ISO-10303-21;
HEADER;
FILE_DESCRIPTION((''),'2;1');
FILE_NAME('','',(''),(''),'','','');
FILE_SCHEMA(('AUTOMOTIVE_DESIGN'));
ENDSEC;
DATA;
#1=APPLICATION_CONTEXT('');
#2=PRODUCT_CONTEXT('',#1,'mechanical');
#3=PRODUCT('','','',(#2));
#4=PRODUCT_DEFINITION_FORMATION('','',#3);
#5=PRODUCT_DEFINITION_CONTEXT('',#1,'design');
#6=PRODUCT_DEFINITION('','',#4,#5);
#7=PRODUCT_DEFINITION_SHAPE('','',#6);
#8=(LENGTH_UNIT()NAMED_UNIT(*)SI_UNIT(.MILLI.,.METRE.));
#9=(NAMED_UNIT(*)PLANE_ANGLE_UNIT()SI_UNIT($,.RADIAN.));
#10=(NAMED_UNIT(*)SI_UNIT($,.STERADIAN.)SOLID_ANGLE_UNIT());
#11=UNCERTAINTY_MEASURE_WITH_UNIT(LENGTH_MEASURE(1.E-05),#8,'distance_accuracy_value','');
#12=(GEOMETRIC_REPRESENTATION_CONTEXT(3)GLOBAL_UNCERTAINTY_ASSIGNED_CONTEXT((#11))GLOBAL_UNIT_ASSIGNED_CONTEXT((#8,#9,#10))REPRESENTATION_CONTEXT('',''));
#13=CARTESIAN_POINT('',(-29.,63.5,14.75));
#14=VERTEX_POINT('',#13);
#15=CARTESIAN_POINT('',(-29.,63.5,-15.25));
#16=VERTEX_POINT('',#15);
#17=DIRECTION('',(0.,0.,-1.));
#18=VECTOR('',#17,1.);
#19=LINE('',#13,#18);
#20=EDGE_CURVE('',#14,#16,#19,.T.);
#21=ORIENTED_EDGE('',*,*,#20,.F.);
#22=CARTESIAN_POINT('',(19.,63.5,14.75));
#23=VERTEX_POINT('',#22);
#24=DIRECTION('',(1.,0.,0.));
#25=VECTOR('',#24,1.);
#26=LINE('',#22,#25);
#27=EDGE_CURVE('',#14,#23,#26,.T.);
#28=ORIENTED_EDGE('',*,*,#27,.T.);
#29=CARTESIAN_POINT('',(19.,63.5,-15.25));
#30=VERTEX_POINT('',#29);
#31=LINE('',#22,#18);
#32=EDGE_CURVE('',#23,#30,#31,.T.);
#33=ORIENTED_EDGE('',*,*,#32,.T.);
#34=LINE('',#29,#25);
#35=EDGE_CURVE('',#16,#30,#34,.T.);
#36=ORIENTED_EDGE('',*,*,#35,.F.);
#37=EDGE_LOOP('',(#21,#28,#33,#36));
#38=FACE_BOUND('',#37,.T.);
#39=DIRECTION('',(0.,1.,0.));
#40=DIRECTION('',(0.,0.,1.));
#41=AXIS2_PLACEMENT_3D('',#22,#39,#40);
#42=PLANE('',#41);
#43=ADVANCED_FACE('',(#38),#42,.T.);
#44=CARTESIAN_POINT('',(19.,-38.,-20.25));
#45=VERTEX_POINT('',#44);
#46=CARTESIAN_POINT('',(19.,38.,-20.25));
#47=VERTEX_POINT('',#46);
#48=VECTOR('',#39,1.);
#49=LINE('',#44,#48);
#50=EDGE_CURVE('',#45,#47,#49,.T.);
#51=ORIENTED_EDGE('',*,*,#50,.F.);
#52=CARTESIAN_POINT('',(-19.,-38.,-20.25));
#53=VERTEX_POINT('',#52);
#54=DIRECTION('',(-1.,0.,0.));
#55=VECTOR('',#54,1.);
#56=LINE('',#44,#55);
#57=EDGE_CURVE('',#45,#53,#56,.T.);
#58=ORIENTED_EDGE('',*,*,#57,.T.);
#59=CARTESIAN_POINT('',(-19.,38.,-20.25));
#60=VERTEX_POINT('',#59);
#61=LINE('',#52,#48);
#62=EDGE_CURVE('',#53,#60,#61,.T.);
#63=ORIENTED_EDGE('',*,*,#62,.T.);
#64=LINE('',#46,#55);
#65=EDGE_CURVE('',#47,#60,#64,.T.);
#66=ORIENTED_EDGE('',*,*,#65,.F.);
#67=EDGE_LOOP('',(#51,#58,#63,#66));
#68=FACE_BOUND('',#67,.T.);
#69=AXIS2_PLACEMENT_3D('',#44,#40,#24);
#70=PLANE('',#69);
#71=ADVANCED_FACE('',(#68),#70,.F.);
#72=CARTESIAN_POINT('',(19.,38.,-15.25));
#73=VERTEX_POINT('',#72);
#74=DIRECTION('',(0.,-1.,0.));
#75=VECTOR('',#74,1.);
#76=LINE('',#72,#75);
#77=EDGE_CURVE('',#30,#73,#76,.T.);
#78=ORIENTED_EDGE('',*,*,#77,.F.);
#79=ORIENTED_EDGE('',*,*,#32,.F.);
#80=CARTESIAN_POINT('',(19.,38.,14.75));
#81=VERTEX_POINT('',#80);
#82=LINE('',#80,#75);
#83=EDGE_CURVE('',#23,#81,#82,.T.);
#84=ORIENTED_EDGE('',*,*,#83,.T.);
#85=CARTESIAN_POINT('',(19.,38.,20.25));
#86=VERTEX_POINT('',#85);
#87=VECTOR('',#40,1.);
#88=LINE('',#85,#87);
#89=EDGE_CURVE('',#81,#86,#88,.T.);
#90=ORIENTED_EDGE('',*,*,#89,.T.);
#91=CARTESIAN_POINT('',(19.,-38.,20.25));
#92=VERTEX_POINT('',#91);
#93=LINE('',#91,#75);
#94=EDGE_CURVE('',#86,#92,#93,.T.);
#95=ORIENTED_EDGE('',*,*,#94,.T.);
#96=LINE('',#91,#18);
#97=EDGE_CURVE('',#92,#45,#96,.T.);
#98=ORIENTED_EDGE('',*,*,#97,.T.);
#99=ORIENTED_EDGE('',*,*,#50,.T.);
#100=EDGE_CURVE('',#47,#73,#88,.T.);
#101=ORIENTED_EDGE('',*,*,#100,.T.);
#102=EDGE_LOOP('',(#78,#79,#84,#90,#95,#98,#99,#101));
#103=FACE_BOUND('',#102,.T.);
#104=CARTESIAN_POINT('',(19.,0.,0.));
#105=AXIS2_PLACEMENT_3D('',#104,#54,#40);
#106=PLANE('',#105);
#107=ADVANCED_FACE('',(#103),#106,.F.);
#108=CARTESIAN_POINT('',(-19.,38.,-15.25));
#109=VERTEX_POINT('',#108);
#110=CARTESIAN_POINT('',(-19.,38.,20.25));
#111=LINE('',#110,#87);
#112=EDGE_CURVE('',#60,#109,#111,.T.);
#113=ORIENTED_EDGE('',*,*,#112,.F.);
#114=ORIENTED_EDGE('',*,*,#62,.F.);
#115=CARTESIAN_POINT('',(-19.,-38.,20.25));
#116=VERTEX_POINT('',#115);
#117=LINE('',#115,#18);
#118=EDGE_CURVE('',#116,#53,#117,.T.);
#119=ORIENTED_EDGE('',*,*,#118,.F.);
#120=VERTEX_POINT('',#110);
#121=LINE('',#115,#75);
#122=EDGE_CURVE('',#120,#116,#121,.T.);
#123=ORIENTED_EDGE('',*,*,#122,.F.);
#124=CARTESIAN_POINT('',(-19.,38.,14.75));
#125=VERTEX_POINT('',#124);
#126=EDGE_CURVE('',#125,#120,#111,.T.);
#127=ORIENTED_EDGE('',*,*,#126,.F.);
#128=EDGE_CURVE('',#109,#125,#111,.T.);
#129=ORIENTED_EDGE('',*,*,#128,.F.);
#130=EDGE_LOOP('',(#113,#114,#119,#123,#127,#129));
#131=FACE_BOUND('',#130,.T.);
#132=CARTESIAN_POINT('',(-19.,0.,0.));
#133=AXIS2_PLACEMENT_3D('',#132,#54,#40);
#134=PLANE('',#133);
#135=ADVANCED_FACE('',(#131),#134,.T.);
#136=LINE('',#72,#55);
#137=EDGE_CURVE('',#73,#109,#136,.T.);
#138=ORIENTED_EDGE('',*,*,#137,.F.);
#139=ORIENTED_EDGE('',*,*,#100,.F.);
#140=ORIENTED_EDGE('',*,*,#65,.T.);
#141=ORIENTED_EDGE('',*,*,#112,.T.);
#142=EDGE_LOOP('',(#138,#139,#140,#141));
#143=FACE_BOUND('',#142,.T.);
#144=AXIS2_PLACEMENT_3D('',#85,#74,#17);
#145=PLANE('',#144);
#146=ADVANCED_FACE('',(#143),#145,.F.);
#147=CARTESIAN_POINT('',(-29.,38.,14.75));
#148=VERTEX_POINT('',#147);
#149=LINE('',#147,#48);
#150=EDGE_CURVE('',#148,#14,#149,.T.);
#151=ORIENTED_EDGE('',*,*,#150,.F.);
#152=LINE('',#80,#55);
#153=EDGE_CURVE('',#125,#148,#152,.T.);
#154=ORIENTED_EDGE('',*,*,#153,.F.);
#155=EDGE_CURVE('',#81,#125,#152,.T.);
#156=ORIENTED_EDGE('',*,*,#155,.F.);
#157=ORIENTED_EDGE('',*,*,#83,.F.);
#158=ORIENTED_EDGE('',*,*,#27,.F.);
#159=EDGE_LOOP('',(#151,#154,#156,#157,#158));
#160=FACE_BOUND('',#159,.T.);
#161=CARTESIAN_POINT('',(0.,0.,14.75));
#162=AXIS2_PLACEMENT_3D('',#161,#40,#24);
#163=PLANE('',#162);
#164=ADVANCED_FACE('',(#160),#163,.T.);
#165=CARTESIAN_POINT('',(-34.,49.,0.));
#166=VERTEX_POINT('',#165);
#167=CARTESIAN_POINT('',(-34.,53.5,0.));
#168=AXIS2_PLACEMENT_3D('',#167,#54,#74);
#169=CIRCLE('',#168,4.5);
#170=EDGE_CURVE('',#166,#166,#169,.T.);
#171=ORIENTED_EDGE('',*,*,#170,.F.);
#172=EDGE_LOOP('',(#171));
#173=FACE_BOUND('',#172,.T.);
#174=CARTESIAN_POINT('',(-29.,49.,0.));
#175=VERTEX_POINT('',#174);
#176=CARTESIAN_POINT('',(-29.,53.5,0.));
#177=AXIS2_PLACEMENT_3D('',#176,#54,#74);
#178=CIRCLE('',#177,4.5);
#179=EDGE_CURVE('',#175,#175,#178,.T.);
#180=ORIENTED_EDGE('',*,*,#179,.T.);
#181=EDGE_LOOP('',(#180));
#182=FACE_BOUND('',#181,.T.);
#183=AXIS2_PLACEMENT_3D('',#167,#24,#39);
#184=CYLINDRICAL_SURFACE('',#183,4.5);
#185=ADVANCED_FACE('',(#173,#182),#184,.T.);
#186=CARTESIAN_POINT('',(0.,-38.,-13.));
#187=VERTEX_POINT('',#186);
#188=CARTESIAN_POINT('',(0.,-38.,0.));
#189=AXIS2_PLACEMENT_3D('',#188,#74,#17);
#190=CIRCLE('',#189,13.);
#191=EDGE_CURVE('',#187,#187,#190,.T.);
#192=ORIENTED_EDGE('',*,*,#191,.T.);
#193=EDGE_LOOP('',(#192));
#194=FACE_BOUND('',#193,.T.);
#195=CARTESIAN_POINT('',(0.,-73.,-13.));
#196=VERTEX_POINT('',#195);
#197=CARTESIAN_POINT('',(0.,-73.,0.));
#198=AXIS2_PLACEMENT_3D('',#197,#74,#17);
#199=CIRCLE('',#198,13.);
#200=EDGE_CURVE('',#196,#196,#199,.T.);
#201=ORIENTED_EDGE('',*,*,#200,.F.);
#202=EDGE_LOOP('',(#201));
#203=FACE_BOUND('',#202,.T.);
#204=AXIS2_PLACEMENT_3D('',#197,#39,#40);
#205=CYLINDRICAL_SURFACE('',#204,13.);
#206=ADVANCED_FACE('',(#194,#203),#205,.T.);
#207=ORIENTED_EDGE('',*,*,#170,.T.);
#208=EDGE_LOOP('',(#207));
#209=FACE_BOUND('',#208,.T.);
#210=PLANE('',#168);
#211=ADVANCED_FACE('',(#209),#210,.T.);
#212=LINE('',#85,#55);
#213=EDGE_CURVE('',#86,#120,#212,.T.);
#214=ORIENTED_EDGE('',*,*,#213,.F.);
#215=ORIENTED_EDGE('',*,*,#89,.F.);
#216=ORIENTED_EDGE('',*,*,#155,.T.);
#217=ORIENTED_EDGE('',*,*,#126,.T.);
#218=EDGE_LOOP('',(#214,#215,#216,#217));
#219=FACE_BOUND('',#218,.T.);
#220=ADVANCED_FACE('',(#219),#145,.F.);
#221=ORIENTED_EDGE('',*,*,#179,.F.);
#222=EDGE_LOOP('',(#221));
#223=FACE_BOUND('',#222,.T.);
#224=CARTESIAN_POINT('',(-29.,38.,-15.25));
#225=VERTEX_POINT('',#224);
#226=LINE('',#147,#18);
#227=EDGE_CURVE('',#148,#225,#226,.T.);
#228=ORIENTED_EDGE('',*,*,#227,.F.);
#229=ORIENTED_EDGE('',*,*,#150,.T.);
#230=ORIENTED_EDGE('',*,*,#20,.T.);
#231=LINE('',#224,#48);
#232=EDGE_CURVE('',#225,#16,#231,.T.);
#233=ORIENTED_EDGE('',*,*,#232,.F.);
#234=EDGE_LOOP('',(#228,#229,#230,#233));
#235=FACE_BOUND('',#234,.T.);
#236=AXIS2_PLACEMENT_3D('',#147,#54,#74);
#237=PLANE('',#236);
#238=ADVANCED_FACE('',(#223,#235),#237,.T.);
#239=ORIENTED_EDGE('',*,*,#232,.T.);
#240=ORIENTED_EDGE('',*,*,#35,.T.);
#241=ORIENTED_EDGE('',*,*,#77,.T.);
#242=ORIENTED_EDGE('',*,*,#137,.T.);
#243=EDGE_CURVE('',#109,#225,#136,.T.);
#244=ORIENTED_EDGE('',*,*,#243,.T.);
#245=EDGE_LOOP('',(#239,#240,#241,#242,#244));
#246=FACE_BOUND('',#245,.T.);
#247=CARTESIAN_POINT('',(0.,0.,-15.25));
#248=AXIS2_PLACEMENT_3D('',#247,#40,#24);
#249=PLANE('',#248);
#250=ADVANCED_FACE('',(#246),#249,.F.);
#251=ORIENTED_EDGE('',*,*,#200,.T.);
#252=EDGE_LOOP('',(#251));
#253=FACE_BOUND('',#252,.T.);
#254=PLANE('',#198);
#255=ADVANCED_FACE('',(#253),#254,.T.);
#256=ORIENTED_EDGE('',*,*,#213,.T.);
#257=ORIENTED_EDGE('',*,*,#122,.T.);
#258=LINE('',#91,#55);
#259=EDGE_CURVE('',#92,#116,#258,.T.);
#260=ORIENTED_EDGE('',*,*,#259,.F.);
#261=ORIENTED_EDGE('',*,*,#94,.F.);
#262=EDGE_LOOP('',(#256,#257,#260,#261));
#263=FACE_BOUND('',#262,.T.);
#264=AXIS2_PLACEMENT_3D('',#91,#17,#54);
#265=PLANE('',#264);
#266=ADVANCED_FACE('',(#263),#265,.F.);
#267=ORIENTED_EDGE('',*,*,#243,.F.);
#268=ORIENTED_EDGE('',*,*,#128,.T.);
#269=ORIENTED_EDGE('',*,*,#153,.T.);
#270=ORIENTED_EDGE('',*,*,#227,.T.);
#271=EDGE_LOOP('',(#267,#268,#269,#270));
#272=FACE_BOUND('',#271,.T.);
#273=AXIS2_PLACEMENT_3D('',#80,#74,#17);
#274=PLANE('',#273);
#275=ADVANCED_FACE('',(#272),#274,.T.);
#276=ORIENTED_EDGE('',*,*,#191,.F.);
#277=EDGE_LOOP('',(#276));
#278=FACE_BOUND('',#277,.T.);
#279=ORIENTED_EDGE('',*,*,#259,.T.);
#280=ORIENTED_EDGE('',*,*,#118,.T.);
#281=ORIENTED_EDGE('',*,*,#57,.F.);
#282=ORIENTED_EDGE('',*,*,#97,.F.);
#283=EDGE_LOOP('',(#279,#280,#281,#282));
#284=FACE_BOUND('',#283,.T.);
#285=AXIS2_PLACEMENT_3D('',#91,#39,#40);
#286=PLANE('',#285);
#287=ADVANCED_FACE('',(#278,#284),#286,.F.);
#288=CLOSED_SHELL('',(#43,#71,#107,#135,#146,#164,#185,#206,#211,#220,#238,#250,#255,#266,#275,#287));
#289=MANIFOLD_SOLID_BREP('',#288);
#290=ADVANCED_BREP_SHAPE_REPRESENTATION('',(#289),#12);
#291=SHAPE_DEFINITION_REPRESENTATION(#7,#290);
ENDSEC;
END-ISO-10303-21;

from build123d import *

# Parameters (mm, degrees)
SKETCH1_W           = 40.5
SKETCH1_H           = 76
BOSS_EXTRUDE1_DEPTH = 19
SKETCH2_R           = 13
BOSS_EXTRUDE2_DEPTH = 35
SKETCH3_W           = 48
SKETCH3_H           = 25.5
BOSS_EXTRUDE3_DEPTH = 30
SKETCH4_R           = 4.5
BOSS_EXTRUDE4_DEPTH = 5


with BuildPart() as part:
    # Sketch1 → Boss-Extrude1 (new, symmetric)
    with BuildSketch(Plane(origin=(0, 0, 0), x_dir=(0, 0, -1), z_dir=(1, 0, 0))):
        Rectangle(SKETCH1_W, SKETCH1_H)
    extrude(amount=BOSS_EXTRUDE1_DEPTH, both=True)

    # Sketch2 → Boss-Extrude2 (add)
    with BuildSketch(Plane.XZ.offset(38)):
        with Locations(Location((0, 0, 0), (0, 0, 270))):
            Circle(SKETCH2_R)
    extrude(amount=BOSS_EXTRUDE2_DEPTH)

    # Sketch3 → Boss-Extrude3 (add)
    with BuildSketch(Plane(origin=(0, 0, -15.25), x_dir=(-1, 0, 0), z_dir=(0, 0, -1))):
        with Locations((5, 50.75)):
            Rectangle(SKETCH3_W, SKETCH3_H)
    extrude(amount=-BOSS_EXTRUDE3_DEPTH)

    # Sketch4 → Boss-Extrude4 (add)
    with BuildSketch(Plane.ZY.offset(29)):
        with Locations(Location((0, 53.5, 0), (0, 0, 270))):
            Circle(SKETCH4_R)
    extrude(amount=BOSS_EXTRUDE4_DEPTH)


solid = part.part
